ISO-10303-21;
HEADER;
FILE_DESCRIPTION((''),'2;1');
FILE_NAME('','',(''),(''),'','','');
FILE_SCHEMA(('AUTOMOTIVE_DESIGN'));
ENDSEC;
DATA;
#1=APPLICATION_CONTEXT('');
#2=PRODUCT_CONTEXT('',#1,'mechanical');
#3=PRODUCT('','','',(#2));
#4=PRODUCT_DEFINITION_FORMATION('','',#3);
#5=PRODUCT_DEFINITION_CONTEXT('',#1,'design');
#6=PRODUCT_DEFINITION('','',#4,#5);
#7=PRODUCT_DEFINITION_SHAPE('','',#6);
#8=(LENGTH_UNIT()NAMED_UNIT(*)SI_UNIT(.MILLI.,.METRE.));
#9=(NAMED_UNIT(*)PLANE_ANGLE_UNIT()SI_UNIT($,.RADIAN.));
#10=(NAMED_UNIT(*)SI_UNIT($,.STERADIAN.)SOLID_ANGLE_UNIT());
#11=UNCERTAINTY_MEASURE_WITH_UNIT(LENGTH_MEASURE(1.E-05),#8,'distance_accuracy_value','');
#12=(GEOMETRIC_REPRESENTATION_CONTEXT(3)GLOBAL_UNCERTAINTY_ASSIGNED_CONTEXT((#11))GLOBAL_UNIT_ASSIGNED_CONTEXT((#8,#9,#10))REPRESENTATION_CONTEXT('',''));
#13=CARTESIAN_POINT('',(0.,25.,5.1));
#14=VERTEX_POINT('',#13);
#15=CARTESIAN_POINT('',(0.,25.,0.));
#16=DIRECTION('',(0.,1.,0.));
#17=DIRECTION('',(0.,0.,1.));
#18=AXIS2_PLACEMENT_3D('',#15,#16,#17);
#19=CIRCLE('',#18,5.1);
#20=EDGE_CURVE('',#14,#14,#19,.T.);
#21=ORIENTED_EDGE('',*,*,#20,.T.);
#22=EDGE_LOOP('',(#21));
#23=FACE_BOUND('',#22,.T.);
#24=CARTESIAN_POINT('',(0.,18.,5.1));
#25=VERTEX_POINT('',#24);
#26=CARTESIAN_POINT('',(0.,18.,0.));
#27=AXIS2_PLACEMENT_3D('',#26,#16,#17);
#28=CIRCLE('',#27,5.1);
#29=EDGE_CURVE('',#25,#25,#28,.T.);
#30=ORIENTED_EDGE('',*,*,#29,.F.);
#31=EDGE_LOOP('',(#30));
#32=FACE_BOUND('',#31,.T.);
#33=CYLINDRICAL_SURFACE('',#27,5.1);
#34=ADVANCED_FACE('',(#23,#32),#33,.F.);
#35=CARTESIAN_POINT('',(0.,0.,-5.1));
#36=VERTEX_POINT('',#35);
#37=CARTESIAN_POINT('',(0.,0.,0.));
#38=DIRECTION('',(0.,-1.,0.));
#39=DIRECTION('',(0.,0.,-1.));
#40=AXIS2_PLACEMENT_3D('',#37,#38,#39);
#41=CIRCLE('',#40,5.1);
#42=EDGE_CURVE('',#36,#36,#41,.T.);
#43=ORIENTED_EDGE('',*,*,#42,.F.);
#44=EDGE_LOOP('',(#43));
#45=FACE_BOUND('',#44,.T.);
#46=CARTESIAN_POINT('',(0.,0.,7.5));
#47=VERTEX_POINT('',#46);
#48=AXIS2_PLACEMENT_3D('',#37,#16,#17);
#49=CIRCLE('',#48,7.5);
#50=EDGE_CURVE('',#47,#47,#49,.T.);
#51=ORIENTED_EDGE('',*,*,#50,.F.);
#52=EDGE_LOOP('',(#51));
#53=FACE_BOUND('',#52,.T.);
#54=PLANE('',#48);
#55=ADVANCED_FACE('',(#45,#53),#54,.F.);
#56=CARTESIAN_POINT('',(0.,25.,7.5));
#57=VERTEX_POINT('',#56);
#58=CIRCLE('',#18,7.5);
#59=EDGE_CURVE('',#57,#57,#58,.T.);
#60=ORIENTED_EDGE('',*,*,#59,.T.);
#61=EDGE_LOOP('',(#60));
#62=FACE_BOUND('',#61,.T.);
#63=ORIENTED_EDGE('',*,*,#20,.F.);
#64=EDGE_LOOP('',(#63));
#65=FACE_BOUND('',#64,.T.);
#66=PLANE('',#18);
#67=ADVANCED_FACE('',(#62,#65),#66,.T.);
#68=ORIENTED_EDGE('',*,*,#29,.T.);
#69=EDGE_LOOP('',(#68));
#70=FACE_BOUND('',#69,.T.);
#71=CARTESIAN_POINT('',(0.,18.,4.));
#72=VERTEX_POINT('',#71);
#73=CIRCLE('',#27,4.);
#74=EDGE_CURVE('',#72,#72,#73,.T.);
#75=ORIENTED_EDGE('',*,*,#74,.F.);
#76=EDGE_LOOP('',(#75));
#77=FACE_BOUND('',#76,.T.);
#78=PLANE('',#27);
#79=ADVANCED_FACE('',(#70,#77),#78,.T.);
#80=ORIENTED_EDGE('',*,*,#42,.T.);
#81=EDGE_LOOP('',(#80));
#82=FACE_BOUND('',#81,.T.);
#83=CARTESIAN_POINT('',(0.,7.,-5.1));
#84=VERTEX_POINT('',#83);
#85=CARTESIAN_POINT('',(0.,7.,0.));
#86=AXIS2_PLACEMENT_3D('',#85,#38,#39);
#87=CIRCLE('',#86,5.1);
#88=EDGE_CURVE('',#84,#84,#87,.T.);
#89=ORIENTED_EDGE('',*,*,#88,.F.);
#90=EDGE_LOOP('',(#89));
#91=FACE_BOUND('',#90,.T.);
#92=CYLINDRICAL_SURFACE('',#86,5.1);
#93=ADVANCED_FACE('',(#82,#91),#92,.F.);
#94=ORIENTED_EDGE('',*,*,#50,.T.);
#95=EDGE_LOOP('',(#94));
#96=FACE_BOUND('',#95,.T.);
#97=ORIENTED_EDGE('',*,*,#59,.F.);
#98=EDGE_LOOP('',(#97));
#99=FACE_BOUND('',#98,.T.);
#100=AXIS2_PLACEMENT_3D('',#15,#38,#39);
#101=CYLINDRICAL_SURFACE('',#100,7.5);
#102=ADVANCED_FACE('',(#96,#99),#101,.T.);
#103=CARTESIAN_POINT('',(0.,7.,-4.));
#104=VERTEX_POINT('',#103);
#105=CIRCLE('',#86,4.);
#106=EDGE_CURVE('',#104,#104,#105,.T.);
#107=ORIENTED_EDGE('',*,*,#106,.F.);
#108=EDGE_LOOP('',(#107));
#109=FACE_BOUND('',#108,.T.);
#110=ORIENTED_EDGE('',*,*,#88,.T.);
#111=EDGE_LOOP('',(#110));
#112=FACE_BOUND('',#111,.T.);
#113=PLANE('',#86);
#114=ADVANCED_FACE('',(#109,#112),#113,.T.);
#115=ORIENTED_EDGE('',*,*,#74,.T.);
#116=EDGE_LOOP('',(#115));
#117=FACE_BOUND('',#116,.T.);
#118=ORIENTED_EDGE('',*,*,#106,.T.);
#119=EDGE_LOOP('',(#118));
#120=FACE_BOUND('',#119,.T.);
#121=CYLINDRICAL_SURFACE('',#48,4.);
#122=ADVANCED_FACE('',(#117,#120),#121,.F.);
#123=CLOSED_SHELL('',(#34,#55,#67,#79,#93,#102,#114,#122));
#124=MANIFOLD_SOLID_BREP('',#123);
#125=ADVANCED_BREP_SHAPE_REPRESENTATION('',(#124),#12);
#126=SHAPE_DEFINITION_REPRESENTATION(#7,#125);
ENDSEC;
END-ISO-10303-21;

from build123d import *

# Parameters (mm, degrees)
SKETCH1_R           = 7.5
BOSS_EXTRUDE1_DEPTH = 25
SKETCH2_R           = 5.1
CUT_EXTRUDE1_DEPTH  = 7
SKETCH3_R           = 5.1
CUT_EXTRUDE2_DEPTH  = 7
SKETCH4_R           = 4
CUT_EXTRUDE3_DEPTH  = 19


with BuildPart() as part:
    # Sketch1 → Boss-Extrude1 (new body)
    with BuildSketch(Plane(origin=(0, 0, 0), x_dir=(1, 0, 0), z_dir=(0, 1, 0))):
        Circle(SKETCH1_R)
    extrude(amount=BOSS_EXTRUDE1_DEPTH)

    # Sketch2 → Cut-Extrude1 (cut)
    with BuildSketch(Plane.XZ):
        Circle(SKETCH2_R)
    extrude(amount=-CUT_EXTRUDE1_DEPTH, mode=Mode.SUBTRACT)

    # Sketch3 → Cut-Extrude2 (cut)
    with BuildSketch(Plane(origin=(0, 25, 0), x_dir=(1, 0, 0), z_dir=(0, 1, 0))):
        Circle(SKETCH3_R)
    extrude(amount=-CUT_EXTRUDE2_DEPTH, mode=Mode.SUBTRACT)

    # Sketch4 → Cut-Extrude3 (cut, through all)
    with BuildSketch(Plane(origin=(0, 18, 0), x_dir=(1, 0, 0), z_dir=(0, 1, 0))):
        Circle(SKETCH4_R)
    extrude(amount=-CUT_EXTRUDE3_DEPTH, mode=Mode.SUBTRACT)


solid = part.part
